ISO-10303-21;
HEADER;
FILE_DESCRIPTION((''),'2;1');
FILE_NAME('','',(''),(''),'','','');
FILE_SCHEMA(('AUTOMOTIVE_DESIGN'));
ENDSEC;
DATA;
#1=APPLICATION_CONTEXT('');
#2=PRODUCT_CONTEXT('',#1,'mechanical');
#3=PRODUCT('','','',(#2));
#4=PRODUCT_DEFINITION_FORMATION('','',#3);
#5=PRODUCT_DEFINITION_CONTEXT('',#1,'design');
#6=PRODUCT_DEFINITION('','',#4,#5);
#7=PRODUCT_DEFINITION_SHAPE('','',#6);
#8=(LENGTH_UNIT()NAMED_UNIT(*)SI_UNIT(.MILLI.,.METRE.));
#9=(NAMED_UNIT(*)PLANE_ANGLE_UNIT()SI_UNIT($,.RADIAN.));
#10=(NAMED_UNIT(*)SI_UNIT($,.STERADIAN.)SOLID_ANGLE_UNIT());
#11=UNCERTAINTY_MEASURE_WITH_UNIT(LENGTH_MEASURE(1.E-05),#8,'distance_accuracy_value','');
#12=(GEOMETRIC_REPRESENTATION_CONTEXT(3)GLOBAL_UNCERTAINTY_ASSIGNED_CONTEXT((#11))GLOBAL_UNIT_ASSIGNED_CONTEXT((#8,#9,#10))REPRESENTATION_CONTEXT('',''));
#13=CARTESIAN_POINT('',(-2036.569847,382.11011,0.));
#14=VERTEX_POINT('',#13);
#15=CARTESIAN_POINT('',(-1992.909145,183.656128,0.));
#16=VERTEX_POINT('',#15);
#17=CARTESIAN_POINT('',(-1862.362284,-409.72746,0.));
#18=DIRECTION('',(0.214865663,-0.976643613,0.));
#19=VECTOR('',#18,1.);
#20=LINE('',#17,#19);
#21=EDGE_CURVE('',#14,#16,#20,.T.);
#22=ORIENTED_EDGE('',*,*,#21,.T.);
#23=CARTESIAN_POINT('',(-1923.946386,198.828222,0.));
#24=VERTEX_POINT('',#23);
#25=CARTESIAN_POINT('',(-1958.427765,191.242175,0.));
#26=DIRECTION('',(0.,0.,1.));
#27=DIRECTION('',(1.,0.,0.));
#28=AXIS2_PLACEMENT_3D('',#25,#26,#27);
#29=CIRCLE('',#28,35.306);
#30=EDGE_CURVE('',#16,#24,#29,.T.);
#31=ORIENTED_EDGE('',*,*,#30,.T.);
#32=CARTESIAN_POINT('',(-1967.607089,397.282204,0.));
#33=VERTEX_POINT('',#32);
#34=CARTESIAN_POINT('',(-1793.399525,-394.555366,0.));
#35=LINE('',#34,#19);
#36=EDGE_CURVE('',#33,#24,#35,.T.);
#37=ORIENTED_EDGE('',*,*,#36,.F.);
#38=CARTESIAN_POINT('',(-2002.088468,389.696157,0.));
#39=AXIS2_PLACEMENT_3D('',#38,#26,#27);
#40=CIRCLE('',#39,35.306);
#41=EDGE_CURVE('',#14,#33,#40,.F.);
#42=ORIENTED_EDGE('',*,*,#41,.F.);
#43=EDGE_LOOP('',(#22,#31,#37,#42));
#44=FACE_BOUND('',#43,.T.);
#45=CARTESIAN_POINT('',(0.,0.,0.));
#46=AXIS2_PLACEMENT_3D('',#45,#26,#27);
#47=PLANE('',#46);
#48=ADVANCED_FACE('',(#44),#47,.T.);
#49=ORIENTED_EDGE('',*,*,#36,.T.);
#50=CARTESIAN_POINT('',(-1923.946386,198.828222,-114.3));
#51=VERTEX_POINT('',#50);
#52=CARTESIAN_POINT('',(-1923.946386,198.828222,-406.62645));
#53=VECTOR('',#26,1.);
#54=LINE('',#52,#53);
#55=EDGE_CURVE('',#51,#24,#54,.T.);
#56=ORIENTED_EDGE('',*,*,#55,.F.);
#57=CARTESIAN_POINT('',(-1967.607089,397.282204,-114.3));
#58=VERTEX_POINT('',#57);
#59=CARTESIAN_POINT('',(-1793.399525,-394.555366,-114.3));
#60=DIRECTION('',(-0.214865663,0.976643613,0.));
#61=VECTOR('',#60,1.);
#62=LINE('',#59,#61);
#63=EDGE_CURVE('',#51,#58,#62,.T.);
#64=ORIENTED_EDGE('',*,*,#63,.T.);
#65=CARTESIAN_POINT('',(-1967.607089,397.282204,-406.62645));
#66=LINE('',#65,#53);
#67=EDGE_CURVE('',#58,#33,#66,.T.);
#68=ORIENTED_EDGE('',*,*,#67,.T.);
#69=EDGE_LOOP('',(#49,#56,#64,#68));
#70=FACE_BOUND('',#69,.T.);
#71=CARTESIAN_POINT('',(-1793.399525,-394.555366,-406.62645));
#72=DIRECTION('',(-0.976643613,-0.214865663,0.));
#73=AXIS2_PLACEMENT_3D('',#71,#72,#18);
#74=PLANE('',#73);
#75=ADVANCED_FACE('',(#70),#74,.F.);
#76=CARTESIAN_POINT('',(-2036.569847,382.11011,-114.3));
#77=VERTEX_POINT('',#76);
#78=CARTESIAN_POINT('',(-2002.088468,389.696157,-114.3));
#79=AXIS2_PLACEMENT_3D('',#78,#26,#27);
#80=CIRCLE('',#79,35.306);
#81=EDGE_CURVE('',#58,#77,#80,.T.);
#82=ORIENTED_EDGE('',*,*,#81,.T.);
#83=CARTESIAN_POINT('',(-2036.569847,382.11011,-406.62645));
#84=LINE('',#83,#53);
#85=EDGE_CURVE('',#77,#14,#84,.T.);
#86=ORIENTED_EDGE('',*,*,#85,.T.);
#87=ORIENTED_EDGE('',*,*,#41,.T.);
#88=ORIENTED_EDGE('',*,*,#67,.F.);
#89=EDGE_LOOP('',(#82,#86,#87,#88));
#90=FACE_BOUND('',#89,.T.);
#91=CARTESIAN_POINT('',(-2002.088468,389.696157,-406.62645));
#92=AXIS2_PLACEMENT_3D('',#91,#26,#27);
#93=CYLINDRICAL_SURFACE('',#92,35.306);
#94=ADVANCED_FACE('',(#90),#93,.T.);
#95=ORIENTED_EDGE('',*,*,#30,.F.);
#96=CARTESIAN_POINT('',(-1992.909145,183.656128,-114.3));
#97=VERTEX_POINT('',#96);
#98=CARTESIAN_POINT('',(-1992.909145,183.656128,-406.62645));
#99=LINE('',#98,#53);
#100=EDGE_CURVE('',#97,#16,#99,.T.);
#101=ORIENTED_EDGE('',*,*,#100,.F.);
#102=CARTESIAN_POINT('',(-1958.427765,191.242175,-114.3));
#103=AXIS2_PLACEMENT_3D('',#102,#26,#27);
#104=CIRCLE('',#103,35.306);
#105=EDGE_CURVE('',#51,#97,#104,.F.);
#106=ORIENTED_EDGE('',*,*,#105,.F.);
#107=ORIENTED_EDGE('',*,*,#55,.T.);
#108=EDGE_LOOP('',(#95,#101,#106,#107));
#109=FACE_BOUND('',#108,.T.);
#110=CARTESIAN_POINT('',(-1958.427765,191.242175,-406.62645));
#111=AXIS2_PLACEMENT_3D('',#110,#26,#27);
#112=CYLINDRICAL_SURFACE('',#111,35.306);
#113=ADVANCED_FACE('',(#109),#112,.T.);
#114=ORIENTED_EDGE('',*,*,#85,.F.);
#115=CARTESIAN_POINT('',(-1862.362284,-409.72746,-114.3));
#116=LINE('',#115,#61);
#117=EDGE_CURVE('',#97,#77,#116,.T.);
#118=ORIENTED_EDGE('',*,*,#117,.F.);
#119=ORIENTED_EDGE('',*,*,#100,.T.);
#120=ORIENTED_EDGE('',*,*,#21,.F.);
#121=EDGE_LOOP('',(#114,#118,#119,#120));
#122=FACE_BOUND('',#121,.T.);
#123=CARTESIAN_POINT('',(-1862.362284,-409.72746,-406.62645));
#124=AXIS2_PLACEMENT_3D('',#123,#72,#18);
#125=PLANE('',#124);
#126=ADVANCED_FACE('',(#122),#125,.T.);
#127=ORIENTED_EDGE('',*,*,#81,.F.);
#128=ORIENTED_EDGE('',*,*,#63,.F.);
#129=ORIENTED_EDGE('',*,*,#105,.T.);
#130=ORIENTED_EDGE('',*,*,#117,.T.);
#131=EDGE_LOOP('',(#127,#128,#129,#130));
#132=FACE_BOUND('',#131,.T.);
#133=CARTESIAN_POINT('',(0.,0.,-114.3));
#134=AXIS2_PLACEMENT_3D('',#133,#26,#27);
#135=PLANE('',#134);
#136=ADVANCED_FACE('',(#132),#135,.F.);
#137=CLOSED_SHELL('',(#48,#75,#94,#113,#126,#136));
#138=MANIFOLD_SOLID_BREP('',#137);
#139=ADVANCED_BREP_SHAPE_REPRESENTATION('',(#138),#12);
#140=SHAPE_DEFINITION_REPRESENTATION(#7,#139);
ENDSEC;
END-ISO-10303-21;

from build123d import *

# Parameters (mm, degrees)
BOSS_EXTRUDE1_DEPTH = 114.3


with BuildPart() as part:
    # Sketch1 → Boss-Extrude1 (new body)
    with BuildSketch(Plane.XY):
        with BuildLine():
            Line((-2036.569847385, 382.11010998), (-1992.90914464, 183.656127818))
            ThreePointArc((-1992.90914464, 183.656127818), (-1950.841718137, 156.76079552), (-1923.946385838, 198.828222023))
            Line((-1923.946385838, 198.828222023), (-1967.607088584, 397.282204184))
            ThreePointArc((-1967.607088584, 397.282204184), (-2009.674515087, 424.177536483), (-2036.569847385, 382.11010998))
        make_face()
    extrude(amount=-BOSS_EXTRUDE1_DEPTH)


solid = part.part
